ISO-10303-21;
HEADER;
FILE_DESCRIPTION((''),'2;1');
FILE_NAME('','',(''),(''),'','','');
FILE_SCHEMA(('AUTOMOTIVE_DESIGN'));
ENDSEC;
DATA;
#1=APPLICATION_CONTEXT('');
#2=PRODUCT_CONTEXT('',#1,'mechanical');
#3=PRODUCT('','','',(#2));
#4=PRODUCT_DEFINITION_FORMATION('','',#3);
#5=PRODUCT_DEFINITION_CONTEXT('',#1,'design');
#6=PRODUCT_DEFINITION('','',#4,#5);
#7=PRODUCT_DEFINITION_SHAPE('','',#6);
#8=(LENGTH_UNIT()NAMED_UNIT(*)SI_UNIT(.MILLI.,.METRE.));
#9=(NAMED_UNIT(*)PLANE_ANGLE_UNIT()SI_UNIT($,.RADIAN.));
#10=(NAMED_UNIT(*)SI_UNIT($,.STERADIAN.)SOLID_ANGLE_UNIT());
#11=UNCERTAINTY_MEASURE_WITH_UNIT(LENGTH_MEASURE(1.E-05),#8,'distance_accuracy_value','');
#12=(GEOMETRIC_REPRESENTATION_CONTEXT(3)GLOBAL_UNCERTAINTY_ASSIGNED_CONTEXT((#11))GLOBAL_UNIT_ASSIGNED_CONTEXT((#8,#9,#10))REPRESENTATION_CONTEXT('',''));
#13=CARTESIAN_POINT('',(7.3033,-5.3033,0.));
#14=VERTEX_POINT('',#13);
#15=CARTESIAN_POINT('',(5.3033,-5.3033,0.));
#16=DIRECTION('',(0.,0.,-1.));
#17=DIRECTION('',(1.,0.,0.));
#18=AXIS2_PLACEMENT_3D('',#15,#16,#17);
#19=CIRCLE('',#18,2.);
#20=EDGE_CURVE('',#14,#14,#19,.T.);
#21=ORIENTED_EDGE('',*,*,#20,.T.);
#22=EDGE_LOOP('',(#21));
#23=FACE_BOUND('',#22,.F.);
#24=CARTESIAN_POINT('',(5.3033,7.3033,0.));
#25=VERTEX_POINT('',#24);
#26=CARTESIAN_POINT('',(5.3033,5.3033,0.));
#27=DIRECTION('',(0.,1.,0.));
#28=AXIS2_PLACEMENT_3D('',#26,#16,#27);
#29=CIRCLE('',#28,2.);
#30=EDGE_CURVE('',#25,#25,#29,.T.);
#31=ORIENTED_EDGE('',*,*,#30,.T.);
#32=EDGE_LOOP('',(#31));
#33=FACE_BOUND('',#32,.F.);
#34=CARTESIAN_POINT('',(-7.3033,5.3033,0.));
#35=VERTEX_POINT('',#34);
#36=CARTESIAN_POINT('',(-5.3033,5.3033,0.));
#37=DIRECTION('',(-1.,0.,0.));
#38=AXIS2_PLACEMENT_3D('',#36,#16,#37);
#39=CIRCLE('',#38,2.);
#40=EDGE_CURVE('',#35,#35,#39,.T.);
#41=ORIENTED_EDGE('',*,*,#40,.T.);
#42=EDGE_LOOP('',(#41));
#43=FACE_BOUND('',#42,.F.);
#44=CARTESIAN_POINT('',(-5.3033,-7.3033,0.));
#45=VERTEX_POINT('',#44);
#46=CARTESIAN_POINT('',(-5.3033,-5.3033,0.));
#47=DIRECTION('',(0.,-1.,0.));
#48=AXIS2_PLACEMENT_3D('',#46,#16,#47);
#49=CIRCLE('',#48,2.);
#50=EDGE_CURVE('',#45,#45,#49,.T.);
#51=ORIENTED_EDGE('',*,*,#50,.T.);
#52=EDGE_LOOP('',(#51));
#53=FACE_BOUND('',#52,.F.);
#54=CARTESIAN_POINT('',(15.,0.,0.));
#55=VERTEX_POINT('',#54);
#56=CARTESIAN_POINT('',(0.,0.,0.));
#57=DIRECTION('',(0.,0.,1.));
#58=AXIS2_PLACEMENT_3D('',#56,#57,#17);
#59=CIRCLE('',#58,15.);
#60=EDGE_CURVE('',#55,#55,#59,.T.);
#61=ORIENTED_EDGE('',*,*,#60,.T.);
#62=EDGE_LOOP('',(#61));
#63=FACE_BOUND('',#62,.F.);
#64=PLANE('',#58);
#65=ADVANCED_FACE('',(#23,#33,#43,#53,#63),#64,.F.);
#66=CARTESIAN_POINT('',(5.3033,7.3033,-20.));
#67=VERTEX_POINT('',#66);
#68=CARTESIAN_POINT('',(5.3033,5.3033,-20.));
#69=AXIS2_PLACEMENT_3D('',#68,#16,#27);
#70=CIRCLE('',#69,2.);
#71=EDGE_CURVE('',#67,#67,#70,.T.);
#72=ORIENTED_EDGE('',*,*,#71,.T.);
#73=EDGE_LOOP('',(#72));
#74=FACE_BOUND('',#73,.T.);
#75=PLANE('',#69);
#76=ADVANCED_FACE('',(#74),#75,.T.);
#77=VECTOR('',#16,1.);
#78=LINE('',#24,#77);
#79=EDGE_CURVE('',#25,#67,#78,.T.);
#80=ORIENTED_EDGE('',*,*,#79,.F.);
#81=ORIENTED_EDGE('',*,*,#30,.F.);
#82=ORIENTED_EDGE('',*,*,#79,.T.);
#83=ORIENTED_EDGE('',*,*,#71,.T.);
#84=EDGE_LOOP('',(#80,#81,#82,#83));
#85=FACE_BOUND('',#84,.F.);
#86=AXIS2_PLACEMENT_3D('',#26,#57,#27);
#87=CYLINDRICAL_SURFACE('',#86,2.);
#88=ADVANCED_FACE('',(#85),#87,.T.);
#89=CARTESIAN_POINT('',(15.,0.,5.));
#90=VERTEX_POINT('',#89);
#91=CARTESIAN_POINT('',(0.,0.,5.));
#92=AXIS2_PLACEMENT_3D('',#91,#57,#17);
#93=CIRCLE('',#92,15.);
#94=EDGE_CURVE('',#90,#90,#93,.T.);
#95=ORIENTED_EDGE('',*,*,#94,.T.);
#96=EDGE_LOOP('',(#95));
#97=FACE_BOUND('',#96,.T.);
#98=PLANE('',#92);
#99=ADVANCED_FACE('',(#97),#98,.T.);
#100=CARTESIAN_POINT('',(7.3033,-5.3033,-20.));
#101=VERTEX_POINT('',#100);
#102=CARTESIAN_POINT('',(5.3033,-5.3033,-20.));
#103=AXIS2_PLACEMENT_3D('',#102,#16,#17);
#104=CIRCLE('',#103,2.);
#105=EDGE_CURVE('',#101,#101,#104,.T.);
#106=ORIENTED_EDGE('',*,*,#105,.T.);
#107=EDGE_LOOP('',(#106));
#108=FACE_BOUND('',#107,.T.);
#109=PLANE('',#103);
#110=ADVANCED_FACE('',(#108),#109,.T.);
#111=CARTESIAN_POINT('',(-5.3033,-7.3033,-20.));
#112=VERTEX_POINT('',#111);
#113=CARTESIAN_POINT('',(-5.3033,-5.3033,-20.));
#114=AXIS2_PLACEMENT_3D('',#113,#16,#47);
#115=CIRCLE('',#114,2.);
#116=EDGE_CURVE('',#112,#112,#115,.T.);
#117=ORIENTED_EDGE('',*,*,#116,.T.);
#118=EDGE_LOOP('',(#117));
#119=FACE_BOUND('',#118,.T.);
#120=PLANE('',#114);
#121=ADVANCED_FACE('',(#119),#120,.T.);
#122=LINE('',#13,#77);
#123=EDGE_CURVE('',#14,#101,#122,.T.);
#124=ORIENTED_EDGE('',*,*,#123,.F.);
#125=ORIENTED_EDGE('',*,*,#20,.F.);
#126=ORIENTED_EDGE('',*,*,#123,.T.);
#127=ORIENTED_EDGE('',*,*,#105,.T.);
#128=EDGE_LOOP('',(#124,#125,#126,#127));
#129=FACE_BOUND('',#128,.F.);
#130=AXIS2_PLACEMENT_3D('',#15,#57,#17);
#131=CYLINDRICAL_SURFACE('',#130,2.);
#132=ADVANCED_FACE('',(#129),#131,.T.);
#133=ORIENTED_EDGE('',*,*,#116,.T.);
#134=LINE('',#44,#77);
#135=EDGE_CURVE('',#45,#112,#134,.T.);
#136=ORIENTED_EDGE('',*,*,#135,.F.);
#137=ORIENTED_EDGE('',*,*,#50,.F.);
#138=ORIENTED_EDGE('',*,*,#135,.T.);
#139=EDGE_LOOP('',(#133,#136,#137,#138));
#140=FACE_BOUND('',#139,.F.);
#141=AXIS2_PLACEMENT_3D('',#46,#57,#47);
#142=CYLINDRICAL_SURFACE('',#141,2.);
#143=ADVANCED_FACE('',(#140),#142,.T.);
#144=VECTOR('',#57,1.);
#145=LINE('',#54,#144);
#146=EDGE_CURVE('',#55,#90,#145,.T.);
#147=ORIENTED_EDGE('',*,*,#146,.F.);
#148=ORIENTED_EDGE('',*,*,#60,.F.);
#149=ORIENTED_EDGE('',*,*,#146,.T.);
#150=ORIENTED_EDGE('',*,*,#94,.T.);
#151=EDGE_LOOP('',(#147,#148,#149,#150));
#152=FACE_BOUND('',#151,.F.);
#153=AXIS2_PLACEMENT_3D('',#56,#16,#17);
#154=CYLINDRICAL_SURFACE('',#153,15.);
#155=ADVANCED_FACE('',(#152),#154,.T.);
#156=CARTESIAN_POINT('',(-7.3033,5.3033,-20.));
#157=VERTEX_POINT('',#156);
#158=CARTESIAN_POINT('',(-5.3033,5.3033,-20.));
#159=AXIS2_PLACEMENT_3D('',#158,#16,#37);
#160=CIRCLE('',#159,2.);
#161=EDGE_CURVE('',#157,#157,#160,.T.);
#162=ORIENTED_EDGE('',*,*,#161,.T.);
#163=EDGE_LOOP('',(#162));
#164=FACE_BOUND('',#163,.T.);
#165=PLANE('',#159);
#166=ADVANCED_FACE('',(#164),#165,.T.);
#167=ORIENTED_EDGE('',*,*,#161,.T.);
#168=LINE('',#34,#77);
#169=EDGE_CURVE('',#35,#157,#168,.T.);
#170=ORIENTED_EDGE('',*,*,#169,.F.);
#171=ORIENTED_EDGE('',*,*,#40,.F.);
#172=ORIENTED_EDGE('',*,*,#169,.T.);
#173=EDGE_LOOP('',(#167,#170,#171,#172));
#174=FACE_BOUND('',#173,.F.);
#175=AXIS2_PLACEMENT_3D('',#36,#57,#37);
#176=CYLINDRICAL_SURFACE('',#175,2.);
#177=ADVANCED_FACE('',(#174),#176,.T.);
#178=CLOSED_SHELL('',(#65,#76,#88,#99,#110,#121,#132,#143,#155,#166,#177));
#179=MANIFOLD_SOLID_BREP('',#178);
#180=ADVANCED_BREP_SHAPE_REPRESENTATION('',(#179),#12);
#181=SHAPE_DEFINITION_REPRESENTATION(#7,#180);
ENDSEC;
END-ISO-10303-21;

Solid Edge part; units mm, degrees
sketch "Sketch1" plane through (0, 0, 0) normal (0, 0, 1) x (1, 0, 0)
  circle A0 centre (0, 0) radius 15
extrude "Protrusion1" add sketch "Sketch1" along normal blind 5
fillet "Round_1" [suppressed]
sketch "Sketch2" plane through (0, 0, 0) normal (0, 0, -1) x (-1, 0, 0)
  circle A0 centre (5.3033, 5.3033) radius 2
extrude "Protrusion2" add sketch "Sketch2" along normal blind 20
pattern_circular "Pattern1" count 4 over 360 about axis through (0, 0, 0) along (0, 0, 1) of "Protrusion2"
fillet "Round1" [suppressed]
extrude "Protrusion3" [suppressed]
extrude "Protrusion4" [suppressed]
fillet "Round_5" [suppressed]
fillet "Round_6" [suppressed]
extrude "ExtrudedProtrusion_9" [suppressed]
extrude "ExtrudedCutout_2" [suppressed]
fillet "Round_7" [suppressed]
fillet "Round_8" [suppressed]
extrude "ExtrudedProtrusion_10" [suppressed]
